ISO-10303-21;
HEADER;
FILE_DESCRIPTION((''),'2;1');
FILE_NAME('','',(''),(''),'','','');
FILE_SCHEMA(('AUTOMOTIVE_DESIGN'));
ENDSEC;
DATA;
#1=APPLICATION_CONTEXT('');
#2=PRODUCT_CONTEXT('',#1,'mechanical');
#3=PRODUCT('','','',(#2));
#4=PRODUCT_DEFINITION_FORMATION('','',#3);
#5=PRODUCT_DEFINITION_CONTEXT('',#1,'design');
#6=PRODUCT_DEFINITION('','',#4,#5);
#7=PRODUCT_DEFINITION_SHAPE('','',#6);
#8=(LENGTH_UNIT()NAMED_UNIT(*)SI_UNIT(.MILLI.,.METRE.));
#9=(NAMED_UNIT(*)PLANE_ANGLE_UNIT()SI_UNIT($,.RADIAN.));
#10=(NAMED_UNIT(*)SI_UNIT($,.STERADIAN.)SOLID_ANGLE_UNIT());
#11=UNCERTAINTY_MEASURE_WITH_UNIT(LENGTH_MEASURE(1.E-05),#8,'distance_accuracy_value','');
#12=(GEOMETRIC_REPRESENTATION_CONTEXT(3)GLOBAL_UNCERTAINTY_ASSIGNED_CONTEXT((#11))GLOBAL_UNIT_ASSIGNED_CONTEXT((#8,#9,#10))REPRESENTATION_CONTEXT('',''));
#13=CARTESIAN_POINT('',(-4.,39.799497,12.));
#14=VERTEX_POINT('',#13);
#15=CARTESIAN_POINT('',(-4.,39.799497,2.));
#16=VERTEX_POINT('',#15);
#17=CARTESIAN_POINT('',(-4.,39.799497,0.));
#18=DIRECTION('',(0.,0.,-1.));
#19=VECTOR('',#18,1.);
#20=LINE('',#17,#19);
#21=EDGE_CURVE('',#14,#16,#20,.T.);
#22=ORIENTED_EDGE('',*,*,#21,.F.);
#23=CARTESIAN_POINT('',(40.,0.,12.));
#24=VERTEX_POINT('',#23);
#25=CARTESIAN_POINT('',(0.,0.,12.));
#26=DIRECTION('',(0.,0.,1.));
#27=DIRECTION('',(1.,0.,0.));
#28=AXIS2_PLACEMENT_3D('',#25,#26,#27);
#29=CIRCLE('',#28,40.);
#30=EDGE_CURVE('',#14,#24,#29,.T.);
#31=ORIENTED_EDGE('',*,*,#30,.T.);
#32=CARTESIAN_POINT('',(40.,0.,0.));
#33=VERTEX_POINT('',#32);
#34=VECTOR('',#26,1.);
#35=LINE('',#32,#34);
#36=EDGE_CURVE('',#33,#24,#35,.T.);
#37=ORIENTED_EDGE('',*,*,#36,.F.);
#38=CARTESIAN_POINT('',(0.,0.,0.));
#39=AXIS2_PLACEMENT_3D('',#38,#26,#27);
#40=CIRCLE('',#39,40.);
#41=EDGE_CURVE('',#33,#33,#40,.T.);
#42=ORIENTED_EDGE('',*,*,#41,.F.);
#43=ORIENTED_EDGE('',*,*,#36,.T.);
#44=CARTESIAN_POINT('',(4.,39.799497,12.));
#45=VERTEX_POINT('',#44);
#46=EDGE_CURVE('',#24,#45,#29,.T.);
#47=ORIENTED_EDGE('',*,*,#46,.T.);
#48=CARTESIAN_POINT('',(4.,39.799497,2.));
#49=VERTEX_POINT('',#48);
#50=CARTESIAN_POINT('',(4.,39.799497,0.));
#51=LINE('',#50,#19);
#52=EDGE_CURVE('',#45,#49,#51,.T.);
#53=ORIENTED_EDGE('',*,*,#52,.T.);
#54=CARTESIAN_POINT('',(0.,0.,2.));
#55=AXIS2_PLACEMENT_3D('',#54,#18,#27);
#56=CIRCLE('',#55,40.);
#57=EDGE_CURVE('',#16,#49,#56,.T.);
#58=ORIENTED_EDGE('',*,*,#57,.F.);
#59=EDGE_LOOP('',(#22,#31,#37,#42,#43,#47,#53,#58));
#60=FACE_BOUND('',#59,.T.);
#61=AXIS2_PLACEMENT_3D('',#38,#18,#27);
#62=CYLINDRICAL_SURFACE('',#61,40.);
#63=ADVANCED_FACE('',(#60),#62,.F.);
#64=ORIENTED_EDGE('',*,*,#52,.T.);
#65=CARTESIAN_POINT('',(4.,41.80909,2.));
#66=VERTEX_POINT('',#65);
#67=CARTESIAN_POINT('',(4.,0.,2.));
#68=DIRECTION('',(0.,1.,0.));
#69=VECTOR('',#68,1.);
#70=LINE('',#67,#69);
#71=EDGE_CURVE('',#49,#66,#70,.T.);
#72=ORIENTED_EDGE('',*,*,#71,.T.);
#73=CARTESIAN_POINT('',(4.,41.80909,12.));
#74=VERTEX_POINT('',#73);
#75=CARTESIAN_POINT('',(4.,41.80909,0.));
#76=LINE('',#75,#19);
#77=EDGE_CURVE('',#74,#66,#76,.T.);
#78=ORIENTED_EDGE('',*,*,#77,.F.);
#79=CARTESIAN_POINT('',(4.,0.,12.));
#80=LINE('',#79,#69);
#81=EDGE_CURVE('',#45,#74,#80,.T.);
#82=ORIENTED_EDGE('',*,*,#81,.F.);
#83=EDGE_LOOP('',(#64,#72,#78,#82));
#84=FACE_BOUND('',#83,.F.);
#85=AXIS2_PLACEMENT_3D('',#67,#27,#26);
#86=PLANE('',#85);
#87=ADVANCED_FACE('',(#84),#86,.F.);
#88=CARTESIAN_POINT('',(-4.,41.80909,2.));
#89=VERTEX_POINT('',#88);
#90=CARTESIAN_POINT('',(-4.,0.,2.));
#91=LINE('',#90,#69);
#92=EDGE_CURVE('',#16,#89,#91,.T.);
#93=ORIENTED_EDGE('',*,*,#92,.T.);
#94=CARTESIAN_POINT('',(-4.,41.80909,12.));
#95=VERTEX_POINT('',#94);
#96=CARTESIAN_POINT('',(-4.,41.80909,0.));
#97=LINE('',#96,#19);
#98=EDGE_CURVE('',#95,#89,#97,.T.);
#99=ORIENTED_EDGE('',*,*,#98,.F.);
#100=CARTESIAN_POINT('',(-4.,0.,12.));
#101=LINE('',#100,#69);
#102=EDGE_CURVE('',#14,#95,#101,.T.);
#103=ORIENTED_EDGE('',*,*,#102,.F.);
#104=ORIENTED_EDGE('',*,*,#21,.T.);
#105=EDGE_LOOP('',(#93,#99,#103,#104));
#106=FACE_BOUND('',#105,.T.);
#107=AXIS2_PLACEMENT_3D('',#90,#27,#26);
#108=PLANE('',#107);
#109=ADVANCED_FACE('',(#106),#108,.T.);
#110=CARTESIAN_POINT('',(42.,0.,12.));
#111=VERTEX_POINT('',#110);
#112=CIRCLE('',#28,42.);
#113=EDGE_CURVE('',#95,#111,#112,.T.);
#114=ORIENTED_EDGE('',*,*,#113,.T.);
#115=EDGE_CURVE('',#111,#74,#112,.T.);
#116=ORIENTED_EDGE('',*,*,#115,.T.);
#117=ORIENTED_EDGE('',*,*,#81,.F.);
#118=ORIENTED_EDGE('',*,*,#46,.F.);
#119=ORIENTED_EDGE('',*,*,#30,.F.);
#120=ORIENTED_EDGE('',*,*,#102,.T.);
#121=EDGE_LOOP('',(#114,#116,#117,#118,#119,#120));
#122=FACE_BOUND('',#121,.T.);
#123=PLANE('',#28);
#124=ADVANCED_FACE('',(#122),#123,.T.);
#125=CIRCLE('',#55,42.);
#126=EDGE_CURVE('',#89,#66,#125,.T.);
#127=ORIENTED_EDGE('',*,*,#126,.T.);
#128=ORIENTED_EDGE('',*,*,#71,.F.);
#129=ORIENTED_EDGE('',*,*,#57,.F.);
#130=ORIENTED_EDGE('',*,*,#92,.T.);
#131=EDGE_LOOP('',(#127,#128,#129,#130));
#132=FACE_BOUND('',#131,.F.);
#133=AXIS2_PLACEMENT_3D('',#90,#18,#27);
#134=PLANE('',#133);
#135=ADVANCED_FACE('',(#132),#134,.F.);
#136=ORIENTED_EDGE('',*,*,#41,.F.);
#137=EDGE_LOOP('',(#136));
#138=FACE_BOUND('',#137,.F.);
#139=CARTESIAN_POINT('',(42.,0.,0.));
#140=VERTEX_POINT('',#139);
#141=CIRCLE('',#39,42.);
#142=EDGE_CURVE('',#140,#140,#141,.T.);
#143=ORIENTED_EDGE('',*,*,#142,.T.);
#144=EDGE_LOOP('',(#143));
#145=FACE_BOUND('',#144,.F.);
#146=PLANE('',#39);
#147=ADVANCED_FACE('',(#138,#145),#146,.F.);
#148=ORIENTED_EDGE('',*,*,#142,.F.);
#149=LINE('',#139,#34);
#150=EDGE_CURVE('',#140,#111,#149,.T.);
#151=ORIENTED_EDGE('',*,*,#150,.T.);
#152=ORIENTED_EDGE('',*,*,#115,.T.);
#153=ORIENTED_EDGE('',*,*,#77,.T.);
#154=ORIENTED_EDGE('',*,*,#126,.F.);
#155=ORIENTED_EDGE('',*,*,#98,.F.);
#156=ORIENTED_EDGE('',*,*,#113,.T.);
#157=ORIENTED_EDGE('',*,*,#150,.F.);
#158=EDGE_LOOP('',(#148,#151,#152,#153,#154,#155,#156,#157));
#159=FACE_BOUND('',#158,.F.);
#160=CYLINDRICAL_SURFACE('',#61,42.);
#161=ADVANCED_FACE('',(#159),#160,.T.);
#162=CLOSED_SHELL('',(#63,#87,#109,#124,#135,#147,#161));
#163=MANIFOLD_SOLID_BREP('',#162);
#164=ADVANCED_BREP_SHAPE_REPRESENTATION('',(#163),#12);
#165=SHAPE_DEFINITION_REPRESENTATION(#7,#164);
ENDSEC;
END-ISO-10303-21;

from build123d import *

# Parameters (mm, degrees)
SKETCH002_R   = 42
SKETCH002_R_2 = 40
PAD001_DEPTH  = 12
SKETCH003_W   = 8
SKETCH003_H   = 12
POCKET_DEPTH  = 42.001


with BuildPart() as part:
    # Sketch002 → Pad001 (new body)
    with BuildSketch(Plane.XY):
        Circle(SKETCH002_R)
        Circle(SKETCH002_R_2, mode=Mode.SUBTRACT)
    extrude(amount=PAD001_DEPTH)

    # Sketch003 → Pocket (cut, through all)
    with BuildSketch(Plane.XZ):
        with Locations((0, 8)):
            Rectangle(SKETCH003_W, SKETCH003_H)
    extrude(amount=-POCKET_DEPTH, mode=Mode.SUBTRACT)


solid = part.part
